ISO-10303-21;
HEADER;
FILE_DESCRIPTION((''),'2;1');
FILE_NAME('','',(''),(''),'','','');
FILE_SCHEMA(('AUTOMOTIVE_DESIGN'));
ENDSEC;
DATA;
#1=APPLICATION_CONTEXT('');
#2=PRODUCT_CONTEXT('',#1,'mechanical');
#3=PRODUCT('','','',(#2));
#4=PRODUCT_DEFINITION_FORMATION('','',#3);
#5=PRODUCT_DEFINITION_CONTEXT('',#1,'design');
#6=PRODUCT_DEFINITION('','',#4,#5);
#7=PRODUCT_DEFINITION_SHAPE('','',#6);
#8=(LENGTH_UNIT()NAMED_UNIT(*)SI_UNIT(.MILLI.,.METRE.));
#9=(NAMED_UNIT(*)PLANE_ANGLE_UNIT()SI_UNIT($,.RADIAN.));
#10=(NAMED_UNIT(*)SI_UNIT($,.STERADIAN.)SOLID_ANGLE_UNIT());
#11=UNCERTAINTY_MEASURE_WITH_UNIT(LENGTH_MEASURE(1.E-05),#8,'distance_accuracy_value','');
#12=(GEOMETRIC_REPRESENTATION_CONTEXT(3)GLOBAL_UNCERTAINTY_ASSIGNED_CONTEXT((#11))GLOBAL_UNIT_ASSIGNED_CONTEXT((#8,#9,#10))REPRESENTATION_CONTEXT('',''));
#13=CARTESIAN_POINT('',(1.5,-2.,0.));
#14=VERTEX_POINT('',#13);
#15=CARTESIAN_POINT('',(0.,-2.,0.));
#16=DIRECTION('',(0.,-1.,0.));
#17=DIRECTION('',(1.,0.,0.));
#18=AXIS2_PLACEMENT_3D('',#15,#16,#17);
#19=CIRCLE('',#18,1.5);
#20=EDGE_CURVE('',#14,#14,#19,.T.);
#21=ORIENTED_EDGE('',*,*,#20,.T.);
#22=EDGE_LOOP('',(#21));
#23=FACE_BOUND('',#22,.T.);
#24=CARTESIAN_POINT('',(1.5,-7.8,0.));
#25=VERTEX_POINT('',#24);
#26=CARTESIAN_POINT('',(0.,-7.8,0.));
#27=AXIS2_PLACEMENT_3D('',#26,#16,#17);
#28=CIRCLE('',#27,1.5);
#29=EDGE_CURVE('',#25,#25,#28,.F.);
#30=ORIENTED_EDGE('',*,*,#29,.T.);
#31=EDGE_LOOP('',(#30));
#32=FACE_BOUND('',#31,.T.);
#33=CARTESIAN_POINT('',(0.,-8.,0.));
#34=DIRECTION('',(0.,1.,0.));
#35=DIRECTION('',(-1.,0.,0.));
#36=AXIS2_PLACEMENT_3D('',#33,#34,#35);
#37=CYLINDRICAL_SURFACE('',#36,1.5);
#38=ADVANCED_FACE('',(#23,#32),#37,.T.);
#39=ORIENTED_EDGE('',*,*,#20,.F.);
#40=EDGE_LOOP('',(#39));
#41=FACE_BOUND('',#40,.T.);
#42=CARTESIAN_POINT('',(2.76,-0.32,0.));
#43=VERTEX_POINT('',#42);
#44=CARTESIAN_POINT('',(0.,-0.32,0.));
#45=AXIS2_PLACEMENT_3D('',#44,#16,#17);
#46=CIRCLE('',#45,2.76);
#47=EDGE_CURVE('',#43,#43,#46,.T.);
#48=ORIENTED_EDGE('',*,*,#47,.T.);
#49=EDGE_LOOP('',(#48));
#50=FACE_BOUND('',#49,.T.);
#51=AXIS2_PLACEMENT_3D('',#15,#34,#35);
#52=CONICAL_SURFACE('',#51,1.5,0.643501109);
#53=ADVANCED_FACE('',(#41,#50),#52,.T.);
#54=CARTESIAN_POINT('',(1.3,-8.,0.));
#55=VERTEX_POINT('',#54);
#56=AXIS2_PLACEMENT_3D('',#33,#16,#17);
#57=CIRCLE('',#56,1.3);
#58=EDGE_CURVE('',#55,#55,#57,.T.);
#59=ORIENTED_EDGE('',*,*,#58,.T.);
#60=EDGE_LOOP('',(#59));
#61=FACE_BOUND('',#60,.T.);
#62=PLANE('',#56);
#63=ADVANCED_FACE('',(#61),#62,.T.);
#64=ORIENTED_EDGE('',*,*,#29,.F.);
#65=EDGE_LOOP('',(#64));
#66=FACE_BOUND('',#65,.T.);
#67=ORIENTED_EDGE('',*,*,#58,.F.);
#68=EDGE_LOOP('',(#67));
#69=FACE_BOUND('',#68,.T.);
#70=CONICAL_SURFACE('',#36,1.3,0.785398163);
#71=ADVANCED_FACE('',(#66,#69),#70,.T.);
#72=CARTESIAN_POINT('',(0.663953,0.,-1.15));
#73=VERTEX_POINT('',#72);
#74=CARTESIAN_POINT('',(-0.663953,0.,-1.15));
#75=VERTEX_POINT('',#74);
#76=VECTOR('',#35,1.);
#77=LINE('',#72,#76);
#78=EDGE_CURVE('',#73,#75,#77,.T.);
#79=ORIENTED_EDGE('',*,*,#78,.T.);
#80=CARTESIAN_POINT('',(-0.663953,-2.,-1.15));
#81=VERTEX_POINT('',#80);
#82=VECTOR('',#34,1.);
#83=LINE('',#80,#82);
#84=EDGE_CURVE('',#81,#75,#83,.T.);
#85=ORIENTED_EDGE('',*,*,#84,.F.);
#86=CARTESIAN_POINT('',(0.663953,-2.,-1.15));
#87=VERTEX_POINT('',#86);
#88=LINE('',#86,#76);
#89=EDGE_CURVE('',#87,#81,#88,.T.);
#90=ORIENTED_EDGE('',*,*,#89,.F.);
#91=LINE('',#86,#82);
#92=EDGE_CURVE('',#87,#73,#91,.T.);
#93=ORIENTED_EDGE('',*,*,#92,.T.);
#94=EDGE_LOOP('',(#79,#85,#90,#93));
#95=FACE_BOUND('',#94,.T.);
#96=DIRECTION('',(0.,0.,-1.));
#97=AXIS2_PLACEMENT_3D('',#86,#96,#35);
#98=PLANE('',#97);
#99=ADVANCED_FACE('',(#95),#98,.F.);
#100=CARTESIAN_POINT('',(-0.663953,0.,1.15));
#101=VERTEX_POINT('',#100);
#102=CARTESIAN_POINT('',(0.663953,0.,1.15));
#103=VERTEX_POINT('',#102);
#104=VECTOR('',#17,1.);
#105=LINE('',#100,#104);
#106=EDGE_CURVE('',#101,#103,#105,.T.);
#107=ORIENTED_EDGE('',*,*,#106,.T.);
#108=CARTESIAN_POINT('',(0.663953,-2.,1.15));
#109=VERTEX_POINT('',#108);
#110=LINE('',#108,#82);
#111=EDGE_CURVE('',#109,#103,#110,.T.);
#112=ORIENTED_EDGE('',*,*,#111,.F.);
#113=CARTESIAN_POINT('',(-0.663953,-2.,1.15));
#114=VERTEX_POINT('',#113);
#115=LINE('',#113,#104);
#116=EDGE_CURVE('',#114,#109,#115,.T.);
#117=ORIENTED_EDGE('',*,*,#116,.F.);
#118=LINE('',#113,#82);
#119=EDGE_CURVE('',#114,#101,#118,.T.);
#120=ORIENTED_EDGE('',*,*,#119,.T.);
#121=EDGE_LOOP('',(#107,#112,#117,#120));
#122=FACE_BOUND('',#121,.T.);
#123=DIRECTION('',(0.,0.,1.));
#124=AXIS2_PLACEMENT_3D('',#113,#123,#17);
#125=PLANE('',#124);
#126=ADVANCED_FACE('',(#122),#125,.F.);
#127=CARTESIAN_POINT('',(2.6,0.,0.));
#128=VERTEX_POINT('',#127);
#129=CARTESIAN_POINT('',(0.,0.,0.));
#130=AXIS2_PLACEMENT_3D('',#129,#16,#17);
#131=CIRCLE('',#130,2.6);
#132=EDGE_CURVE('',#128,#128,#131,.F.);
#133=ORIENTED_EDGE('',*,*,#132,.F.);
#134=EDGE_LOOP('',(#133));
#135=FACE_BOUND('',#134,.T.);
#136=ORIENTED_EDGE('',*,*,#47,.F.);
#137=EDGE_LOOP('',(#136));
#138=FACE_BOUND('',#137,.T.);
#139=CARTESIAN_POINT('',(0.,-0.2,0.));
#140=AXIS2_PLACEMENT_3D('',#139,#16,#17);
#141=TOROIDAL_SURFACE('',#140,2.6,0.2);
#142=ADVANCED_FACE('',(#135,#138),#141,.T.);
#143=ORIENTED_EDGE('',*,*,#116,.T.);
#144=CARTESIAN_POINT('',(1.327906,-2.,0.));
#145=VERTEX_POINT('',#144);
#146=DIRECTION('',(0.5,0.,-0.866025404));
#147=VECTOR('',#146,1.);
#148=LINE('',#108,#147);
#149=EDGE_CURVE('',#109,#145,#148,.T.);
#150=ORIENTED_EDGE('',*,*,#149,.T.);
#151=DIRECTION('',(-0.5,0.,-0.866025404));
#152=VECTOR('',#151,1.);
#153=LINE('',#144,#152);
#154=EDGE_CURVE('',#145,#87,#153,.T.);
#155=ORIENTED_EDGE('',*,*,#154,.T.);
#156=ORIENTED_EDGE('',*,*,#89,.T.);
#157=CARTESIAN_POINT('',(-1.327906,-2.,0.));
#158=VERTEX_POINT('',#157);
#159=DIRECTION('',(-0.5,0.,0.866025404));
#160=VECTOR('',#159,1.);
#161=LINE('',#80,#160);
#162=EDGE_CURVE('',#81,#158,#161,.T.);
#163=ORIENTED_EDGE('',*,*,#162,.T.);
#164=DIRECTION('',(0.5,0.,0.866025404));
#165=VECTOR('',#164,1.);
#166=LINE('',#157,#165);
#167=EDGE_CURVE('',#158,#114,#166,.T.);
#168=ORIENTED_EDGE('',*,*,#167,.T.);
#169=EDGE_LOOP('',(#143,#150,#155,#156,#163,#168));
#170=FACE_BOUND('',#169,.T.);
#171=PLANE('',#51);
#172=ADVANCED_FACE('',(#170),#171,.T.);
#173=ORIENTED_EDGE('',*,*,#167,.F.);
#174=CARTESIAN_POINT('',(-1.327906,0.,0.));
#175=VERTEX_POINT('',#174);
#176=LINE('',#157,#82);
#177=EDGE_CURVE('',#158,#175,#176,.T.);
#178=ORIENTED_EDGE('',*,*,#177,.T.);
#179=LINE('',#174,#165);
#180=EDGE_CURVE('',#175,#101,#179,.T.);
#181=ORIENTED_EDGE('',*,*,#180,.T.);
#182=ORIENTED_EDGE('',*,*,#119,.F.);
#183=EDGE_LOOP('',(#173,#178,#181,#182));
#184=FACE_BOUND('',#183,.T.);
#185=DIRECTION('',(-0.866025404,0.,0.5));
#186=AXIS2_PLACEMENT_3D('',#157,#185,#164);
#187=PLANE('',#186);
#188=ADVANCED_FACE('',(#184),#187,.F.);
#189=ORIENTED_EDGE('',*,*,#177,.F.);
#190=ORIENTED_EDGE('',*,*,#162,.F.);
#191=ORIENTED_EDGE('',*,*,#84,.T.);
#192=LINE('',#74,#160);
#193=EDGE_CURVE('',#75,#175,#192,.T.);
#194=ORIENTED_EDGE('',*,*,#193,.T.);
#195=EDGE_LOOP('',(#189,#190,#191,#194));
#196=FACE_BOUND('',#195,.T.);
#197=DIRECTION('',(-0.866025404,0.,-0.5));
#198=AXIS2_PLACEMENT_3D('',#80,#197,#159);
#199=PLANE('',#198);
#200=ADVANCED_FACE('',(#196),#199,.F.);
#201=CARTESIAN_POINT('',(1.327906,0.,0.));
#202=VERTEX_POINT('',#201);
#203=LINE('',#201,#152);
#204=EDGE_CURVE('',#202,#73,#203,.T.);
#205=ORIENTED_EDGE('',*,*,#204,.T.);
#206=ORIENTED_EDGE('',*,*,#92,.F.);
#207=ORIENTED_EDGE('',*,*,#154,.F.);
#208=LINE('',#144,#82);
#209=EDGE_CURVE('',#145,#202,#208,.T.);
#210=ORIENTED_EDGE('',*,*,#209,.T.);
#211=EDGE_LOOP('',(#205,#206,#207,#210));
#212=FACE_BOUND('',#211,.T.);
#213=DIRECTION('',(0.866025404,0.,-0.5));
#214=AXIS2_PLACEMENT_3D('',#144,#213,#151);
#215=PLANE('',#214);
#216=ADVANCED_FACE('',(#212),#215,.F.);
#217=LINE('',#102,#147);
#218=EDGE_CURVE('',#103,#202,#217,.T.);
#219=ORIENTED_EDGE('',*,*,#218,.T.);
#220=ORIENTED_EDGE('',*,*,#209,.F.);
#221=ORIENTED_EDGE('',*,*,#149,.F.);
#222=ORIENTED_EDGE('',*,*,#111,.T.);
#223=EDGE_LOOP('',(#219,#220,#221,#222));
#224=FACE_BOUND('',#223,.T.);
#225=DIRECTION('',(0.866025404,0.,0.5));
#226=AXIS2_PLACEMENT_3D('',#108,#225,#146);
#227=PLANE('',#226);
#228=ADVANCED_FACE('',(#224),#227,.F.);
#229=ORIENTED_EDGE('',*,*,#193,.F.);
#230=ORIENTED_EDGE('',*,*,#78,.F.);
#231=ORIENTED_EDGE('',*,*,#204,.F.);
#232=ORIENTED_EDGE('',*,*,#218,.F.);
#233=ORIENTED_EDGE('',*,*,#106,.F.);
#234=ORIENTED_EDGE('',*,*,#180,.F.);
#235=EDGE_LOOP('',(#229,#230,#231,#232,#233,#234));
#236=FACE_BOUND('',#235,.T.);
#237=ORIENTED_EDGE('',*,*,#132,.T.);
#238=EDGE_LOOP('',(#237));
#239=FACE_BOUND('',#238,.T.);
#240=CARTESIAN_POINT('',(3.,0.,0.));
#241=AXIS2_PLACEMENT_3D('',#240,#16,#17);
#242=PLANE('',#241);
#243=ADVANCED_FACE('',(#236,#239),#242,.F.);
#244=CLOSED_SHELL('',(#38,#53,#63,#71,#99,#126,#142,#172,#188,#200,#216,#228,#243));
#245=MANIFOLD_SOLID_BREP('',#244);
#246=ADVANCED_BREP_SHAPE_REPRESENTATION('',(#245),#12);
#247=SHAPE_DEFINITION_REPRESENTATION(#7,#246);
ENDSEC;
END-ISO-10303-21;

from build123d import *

# Parameters (mm, degrees)
SKETCH_2_R          = 1.5
EXTRUDE_1_DEPTH     = 6
CUT_EXTRUDE_1_DEPTH = 2
CHAMFER_1_SIZE      = 0.2
FILLET_1_R          = 0.2


with BuildPart() as part:
    # 草图1 → 旋转1 (revolve)
    with BuildSketch(Plane.XY):
        Polygon((0, 0), (0, -2), (1.5, -2), (3, 0), align=None)
    revolve(axis=Axis((0, 0, 0), (0, -1, 0)))

    # 草图2 → 凸台-拉伸1 (add)
    with BuildSketch(Plane.XZ.offset(2)):
        Circle(SKETCH_2_R)
    extrude(amount=EXTRUDE_1_DEPTH)

    # 草图3 → 切除-拉伸1 (cut)
    with BuildSketch(Plane(origin=(0, 0, 0), x_dir=(1, 0, 0), z_dir=(0, 1, 0))):
        Polygon((-1.327905619, 0), (-0.66395281, -1.15), (0.66395281, -1.15), (1.327905619, 0), (0.66395281, 1.15), (-0.66395281, 1.15), align=None)
    extrude(amount=-CUT_EXTRUDE_1_DEPTH, mode=Mode.SUBTRACT)

    # 倒角1
    chamfer_1_edges = [part.edges().sort_by_distance(p)[0] for p in [
        (-1.5, -8, 0),
    ]]
    chamfer(chamfer_1_edges, length=CHAMFER_1_SIZE)

    # 圆角1
    fillet_1_edges = [part.edges().sort_by_distance(p)[0] for p in [
        (-3, 0, 0),
    ]]
    fillet(fillet_1_edges, radius=FILLET_1_R)


solid = part.part
